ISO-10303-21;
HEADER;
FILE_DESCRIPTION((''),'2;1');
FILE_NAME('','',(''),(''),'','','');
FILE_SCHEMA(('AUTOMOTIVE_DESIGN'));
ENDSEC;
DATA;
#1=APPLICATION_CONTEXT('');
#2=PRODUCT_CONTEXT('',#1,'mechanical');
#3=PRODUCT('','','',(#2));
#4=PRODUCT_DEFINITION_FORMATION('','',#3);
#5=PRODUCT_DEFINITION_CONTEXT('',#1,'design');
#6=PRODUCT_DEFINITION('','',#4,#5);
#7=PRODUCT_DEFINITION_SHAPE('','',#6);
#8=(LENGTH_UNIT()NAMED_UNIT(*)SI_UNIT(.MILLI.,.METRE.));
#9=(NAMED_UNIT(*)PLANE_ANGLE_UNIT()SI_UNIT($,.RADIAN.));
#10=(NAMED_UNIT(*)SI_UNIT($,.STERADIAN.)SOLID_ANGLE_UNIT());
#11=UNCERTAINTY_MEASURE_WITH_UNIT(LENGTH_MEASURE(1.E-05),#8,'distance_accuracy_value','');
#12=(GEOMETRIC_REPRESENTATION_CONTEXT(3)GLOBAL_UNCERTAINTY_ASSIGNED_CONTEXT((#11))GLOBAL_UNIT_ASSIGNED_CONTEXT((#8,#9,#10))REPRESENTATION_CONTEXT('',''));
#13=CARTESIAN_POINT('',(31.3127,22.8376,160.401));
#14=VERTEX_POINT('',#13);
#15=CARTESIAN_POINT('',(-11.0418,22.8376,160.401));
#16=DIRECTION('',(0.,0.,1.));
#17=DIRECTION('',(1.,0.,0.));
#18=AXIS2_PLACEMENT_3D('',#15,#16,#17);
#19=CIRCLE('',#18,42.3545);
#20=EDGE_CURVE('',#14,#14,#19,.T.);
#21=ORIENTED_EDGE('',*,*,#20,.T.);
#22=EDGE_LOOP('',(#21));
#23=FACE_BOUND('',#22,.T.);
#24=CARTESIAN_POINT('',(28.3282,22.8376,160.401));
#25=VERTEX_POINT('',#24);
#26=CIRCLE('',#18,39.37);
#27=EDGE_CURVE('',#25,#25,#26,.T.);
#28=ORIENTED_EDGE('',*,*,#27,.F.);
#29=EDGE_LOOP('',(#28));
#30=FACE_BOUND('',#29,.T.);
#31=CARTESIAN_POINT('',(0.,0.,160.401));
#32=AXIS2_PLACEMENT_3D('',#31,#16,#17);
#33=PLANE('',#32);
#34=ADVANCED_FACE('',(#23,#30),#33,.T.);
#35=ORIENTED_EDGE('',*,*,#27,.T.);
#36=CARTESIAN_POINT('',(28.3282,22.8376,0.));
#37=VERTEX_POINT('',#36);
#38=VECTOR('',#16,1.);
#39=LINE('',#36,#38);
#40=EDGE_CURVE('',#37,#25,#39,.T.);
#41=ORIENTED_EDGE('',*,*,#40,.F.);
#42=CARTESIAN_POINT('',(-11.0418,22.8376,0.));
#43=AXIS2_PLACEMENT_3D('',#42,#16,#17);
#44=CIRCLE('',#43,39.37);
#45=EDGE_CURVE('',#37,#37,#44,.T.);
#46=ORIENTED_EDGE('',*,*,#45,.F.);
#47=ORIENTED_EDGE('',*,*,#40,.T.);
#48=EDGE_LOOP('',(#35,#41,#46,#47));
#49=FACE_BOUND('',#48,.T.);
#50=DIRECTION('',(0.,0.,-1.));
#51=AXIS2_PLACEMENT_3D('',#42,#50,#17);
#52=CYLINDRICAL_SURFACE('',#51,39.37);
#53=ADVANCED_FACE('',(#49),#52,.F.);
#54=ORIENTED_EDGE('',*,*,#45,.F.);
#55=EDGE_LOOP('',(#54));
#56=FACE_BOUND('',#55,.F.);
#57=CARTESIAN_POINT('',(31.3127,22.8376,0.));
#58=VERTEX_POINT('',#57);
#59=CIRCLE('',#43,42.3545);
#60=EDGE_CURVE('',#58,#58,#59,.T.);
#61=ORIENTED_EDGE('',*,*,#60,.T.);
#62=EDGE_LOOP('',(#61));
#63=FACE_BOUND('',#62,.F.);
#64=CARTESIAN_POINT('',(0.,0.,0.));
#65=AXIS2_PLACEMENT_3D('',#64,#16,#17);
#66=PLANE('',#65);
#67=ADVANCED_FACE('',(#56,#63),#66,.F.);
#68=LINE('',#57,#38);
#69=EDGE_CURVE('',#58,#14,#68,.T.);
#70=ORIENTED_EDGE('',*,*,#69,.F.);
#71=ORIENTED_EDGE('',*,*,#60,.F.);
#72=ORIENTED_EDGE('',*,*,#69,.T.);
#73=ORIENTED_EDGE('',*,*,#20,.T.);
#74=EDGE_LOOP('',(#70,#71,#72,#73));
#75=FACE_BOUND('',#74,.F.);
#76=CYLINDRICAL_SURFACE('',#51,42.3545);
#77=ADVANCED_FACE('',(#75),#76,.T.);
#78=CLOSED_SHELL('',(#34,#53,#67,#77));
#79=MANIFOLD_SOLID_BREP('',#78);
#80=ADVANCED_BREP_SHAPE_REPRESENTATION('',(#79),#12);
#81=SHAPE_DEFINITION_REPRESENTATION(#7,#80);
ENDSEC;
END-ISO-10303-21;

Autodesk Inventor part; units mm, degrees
ref_plane "YZ Plane" through (0, 0, 0) normal (1, 0, 0) x (0, 1, 0)
ref_plane "XZ Plane" through (0, 0, 0) normal (0, 1, 0) x (-1, 0, 0)
ref_plane "XY Plane" through (0, 0, 0) normal (0, 0, 1) x (1, 0, 0)
sketch "Sketch1" plane through (0, 0, 0) normal (0, 0, 1) x (1, 0, 0)
  circle A0 centre (-11.0418, 22.8376) radius 42.3545
  circle A1 centre (-11.0418, 22.8376) radius 39.37
  point P0 (0, 0)
  dimension "d0" = 84.709
  dimension "d1" = 78.74
extrude "Extrusion1" add sketch "Sketch1" along normal blind 160.401
properties part number "mesh intake part"
